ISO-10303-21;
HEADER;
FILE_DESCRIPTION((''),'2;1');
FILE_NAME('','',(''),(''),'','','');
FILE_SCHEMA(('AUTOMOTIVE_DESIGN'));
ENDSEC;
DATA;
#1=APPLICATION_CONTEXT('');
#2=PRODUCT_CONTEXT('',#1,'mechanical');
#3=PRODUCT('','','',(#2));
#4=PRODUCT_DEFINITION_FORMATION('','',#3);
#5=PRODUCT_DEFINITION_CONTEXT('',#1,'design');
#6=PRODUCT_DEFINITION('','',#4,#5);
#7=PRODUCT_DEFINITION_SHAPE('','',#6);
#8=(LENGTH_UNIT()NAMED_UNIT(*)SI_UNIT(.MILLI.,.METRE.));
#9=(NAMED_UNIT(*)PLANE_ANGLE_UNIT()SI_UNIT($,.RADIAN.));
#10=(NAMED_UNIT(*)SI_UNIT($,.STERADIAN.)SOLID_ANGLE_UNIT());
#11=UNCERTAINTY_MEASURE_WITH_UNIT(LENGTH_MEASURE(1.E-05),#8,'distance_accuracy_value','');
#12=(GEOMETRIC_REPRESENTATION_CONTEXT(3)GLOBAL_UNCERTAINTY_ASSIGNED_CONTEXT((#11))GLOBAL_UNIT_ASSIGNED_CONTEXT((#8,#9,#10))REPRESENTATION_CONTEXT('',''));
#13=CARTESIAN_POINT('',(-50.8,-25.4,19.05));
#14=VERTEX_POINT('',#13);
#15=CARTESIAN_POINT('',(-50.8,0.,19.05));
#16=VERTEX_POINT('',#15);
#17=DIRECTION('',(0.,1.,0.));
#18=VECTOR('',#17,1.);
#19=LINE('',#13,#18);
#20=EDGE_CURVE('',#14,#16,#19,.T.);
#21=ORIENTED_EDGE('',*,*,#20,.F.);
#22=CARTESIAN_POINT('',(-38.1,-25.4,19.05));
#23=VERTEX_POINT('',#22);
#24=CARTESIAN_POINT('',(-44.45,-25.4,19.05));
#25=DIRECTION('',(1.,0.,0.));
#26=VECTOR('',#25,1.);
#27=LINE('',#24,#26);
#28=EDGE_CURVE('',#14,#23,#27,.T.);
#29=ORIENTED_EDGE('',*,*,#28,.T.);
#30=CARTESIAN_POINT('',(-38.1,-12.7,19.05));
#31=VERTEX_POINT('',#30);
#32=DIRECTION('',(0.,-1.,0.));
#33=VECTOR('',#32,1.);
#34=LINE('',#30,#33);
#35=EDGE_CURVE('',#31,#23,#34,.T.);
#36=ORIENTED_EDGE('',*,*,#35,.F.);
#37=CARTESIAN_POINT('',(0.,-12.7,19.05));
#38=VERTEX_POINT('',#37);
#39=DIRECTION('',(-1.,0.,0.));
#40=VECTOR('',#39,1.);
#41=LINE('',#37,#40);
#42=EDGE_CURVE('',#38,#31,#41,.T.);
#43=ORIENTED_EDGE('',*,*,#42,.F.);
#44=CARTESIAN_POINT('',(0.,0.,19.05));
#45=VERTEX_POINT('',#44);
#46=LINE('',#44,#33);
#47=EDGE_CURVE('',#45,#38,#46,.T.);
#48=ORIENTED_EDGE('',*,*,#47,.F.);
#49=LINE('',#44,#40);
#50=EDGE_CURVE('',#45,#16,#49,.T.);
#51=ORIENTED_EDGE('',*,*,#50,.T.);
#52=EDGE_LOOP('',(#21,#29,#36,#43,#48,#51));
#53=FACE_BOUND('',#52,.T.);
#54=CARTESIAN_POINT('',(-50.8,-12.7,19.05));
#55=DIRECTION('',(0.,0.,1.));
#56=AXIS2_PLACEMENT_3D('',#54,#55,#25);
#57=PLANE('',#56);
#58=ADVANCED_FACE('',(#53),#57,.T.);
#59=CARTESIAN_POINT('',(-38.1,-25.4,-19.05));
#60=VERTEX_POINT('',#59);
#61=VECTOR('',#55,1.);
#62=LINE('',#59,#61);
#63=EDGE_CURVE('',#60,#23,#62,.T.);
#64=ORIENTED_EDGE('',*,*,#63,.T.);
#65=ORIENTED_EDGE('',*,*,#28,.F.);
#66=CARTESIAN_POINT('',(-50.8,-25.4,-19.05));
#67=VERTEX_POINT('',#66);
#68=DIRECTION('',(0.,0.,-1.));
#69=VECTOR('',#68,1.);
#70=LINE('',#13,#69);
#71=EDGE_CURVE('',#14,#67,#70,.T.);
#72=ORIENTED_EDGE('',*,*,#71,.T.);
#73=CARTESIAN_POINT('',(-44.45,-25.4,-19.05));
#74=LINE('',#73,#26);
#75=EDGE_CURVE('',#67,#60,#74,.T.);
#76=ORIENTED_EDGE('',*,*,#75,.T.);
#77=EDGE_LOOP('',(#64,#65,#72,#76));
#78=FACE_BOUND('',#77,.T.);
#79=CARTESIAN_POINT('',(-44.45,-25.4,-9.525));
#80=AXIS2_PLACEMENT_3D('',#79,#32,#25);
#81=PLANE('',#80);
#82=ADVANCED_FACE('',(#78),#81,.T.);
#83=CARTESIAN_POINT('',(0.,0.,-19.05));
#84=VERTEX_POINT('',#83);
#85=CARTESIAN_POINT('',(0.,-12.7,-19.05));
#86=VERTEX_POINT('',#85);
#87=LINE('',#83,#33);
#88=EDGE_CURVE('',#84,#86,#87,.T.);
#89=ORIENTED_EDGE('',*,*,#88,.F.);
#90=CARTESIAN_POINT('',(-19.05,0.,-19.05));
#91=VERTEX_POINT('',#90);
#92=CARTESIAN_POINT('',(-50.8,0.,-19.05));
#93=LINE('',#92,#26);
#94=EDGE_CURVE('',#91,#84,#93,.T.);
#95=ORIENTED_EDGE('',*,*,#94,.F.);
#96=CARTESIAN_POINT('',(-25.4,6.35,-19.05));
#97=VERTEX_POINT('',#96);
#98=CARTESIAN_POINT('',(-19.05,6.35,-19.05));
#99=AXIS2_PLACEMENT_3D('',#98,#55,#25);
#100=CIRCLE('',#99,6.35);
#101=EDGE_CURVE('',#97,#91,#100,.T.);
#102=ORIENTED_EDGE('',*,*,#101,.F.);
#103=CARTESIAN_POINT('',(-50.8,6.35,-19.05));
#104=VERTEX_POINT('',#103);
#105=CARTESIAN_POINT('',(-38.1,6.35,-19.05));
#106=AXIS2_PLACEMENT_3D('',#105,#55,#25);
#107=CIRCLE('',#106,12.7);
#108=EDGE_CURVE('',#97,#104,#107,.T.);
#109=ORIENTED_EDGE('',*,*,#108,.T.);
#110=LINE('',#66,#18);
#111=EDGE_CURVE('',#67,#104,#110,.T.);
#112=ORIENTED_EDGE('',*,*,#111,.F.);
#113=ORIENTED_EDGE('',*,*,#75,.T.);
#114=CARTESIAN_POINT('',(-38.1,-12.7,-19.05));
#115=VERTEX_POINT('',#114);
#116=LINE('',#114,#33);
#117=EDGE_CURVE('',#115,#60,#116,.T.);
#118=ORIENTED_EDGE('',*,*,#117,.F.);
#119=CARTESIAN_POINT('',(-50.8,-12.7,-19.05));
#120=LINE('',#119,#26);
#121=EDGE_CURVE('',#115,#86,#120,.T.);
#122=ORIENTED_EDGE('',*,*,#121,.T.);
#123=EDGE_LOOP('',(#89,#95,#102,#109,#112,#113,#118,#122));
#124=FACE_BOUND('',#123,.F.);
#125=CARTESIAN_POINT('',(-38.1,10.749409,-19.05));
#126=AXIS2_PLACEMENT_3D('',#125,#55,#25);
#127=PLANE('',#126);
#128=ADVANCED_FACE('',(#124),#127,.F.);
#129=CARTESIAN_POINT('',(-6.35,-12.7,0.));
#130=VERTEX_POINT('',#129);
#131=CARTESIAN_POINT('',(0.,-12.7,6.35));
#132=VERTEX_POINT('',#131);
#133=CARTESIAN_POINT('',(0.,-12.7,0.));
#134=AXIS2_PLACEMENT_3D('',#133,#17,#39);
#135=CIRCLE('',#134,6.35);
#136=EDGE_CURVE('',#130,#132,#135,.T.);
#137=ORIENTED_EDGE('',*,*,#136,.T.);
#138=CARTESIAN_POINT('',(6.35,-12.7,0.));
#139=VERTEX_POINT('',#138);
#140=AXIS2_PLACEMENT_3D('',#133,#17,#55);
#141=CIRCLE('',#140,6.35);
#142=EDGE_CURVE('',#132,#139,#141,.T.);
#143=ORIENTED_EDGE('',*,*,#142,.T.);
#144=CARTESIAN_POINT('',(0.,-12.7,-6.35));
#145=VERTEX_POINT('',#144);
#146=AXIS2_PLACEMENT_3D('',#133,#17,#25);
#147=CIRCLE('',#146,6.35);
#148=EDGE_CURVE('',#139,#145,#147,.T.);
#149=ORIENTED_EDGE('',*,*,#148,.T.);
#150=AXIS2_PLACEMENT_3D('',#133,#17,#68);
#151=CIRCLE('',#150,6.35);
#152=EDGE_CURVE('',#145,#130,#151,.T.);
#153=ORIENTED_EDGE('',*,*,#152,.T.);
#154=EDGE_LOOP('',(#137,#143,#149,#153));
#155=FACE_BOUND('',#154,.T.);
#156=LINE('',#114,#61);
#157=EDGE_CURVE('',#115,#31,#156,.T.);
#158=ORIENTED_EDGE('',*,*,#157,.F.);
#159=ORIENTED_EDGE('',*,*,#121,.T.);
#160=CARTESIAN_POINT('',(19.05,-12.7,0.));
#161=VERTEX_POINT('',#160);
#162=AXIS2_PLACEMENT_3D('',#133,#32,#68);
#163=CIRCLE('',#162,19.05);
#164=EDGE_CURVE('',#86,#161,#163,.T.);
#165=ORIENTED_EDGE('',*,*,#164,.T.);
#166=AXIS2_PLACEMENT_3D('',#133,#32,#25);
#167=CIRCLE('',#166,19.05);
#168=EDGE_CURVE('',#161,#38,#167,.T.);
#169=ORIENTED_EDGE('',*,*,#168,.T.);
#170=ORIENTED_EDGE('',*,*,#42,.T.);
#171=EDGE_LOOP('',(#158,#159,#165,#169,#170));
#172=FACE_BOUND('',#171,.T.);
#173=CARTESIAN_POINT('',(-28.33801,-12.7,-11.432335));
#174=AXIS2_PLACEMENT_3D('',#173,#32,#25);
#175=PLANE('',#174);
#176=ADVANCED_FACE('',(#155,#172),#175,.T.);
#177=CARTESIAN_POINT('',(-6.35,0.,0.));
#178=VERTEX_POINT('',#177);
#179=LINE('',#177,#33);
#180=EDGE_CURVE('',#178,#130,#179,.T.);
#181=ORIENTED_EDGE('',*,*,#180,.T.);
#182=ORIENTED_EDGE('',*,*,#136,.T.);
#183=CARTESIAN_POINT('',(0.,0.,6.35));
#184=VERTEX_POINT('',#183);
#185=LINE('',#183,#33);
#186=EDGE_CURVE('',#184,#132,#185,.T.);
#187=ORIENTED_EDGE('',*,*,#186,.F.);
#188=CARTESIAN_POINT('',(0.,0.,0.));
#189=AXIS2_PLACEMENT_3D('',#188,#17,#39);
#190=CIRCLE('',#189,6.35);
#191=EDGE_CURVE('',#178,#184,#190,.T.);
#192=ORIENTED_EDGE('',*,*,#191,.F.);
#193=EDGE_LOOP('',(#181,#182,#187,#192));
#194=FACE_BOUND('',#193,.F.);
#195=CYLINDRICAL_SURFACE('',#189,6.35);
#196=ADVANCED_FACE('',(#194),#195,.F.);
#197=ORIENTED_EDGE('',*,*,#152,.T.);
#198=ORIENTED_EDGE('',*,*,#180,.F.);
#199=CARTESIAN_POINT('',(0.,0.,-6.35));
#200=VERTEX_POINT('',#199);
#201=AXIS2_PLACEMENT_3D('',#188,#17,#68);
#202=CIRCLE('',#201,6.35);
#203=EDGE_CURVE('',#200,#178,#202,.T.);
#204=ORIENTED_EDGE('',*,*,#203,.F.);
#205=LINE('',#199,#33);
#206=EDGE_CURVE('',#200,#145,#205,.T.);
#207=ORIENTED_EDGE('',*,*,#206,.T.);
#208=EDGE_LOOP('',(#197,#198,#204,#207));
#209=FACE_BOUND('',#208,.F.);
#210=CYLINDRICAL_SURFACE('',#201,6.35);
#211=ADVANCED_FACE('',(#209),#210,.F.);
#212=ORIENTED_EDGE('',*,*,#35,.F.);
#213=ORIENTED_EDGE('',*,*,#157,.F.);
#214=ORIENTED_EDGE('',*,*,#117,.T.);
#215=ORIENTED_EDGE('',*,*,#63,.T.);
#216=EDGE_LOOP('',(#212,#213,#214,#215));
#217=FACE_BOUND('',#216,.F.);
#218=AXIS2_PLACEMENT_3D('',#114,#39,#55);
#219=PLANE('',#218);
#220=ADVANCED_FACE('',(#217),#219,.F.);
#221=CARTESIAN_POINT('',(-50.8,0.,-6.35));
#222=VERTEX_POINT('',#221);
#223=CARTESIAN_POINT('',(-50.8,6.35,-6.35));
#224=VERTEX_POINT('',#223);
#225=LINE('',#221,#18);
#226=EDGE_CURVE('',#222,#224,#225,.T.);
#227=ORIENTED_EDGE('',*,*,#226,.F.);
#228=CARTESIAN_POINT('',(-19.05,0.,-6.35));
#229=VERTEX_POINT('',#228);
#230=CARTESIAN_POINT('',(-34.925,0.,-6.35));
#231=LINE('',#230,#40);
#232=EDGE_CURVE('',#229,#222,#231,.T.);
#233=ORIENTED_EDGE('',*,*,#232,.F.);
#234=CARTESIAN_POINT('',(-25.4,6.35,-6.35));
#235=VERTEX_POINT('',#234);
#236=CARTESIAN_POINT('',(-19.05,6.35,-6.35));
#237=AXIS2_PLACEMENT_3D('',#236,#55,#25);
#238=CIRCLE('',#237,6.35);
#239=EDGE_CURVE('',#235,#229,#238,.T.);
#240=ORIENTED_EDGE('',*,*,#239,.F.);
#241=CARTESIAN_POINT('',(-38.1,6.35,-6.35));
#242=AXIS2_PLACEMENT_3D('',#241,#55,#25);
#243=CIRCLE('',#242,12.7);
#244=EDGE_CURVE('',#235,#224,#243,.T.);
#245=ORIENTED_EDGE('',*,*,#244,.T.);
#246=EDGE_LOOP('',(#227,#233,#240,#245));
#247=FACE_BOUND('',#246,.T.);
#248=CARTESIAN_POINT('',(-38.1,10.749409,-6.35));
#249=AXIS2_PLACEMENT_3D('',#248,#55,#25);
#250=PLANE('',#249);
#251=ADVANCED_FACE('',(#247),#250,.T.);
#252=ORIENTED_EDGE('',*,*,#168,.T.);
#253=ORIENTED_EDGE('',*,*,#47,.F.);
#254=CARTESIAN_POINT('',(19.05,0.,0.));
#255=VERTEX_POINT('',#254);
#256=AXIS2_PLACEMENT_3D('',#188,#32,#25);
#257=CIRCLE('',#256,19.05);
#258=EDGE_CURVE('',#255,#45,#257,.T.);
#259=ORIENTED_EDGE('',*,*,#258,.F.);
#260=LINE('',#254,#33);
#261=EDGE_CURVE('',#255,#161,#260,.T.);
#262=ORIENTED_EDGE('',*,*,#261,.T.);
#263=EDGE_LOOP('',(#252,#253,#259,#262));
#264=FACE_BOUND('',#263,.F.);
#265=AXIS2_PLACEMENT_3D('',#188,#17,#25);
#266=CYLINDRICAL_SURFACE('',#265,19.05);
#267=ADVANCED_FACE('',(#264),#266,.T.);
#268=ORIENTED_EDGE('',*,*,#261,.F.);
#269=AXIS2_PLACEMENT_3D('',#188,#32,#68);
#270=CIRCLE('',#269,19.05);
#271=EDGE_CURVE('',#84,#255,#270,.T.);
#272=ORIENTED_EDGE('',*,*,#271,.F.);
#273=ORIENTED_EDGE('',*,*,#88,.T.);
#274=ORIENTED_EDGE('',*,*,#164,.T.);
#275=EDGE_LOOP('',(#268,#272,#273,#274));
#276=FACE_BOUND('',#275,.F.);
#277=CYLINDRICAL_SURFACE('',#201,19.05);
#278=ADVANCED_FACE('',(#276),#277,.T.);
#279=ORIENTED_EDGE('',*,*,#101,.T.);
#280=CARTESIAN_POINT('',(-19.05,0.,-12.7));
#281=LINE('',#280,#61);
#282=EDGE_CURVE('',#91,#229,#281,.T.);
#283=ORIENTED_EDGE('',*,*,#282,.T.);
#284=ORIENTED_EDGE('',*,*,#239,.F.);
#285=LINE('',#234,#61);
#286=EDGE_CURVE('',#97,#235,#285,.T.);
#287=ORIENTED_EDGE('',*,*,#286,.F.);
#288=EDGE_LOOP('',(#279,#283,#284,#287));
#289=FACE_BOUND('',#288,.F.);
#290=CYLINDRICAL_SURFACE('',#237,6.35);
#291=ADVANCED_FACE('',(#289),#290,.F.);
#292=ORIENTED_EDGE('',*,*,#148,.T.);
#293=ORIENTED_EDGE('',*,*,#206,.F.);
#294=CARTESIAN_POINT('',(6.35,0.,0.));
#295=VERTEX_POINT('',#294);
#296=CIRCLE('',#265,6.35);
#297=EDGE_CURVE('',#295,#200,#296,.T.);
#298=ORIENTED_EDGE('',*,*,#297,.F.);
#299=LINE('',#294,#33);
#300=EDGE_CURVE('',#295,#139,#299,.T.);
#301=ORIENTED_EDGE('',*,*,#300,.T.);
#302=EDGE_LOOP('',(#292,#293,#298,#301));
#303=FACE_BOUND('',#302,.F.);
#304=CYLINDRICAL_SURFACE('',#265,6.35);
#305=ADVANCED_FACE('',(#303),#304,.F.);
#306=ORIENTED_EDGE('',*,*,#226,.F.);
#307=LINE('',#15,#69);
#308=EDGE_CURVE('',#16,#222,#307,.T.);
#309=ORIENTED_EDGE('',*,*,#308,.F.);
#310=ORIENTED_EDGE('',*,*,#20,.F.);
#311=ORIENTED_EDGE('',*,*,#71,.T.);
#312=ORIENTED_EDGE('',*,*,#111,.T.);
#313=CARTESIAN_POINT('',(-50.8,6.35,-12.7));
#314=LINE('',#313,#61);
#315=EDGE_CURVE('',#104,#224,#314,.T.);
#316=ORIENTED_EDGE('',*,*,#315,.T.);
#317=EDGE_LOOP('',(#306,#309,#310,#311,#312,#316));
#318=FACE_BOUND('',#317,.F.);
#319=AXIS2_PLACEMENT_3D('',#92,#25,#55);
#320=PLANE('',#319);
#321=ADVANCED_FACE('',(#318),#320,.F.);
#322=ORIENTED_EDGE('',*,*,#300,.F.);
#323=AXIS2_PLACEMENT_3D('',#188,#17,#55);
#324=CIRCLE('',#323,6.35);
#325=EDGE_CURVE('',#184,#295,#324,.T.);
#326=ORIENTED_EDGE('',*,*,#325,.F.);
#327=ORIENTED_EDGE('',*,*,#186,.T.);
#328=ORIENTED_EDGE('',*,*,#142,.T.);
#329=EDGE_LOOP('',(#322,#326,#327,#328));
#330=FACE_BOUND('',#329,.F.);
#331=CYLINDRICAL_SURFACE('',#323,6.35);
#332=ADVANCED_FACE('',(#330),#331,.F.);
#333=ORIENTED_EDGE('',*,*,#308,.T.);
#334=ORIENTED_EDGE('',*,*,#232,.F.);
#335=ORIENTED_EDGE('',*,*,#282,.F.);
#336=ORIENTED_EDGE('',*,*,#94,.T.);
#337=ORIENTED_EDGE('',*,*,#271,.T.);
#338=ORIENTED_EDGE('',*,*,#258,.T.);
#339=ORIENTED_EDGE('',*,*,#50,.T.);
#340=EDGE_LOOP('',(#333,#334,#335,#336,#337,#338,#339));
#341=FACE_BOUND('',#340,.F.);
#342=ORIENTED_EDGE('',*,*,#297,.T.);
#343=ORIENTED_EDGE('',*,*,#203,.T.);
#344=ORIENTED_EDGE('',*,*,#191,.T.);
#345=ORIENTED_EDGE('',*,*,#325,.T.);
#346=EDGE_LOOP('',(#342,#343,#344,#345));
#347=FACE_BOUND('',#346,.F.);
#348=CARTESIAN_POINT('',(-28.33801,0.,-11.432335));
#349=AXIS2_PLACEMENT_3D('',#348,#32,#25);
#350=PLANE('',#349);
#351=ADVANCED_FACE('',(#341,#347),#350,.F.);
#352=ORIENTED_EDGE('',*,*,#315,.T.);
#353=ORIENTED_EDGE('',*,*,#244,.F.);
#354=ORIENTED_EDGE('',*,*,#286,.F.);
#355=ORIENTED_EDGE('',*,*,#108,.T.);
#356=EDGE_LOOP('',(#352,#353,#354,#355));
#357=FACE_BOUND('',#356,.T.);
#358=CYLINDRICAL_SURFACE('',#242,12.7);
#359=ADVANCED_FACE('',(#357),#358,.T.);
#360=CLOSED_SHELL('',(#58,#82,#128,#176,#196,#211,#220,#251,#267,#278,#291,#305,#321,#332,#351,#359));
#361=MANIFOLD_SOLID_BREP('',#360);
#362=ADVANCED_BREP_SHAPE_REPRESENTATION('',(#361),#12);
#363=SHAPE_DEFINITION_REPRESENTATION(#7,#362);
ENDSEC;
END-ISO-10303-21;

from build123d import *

# Parameters (mm, degrees)
F1_DEPTH = 12.7
F2_W     = 12.7
F2_H     = 19.05
F3_DEPTH = 12.7
F4_W     = 31.75
F4_H     = 12.7
F5_DEPTH = 6.35
F6_R     = 6.35
F7_DEPTH = 25.4
F9_DEPTH = 12.7


with BuildPart() as f1:
    # F0 (on Front) → F1 (new body)
    with BuildSketch(Plane.XZ):
        with BuildLine():
            ThreePointArc((0, -19.05), (-13.4703841816, -13.4703841816), (-19.05, 0))
            Line((-19.05, 0), (-50.8, 0))
            Line((-50.8, 0), (-50.8, -19.05))
            Line((-50.8, -19.05), (0, -19.05))
        make_face()
        with BuildLine():
            ThreePointArc((0, 19.05), (-13.4703841816, 13.4703841816), (-19.05, 0))
            Line((-19.05, 0), (-6.35, 0))
            ThreePointArc((-6.35, 0), (-4.4901280605, 4.4901280605), (0, 6.35))
            Line((0, 6.35), (0, 19.05))
        make_face()
        with BuildLine():
            Line((-50.8, 0), (-19.05, 0))
            ThreePointArc((-19.05, 0), (-13.4703841816, 13.4703841816), (0, 19.05))
            Line((0, 19.05), (-50.8, 19.05))
            Line((-50.8, 19.05), (-50.8, 0))
        make_face()
        with BuildLine():
            Line((-6.35, 0), (-19.05, 0))
            ThreePointArc((-19.05, 0), (-13.4703841816, -13.4703841816), (0, -19.05))
            Line((0, -19.05), (0, -6.35))
            ThreePointArc((0, -6.35), (-4.4901280605, -4.4901280605), (-6.35, 0))
        make_face()
        with BuildLine():
            ThreePointArc((19.05, 0), (13.4703841816, 13.4703841816), (0, 19.05))
            Line((0, 19.05), (0, 6.35))
            ThreePointArc((0, 6.35), (4.4901280605, 4.4901280605), (6.35, 0))
            Line((6.35, 0), (19.05, 0))
        make_face()
        with BuildLine():
            Line((0, -6.35), (0, -19.05))
            ThreePointArc((0, -19.05), (13.4703841816, -13.4703841816), (19.05, 0))
            Line((19.05, 0), (6.35, 0))
            ThreePointArc((6.35, 0), (4.4901280605, -4.4901280605), (0, -6.35))
        make_face()
    extrude(amount=F1_DEPTH)

    # F2 (on face) → F3 (join)
    with BuildSketch(Plane.XZ.offset(12.7)):
        with Locations((-44.45, -9.525)):
            Rectangle(F2_W, F2_H)
        with Locations((-44.45, 9.525)):
            Rectangle(F2_W, F2_H)
    extrude(amount=F3_DEPTH)

    # F4 (on face) → F5 (join)
    with BuildSketch(Plane(origin=(0, 0, 0), x_dir=(-1, 0, 0), z_dir=(0, 1, 0))):
        with Locations((34.925, -12.7)):
            Rectangle(F4_W, F4_H)
    extrude(amount=F5_DEPTH)

    # F6 (on face) → F7 (cut)
    with BuildSketch(Plane.XY.offset(-6.35)):
        with Locations((-19.05, 6.35)):
            Circle(F6_R)
    extrude(amount=-F7_DEPTH, mode=Mode.SUBTRACT)

    # F8 (on face) → F9 (join)
    with BuildSketch(Plane.XY.offset(-6.35)):
        with BuildLine():
            ThreePointArc((-25.4, 6.35), (-38.1, 19.05), (-50.8, 6.35))
            Line((-50.8, 6.35), (-38.1, 6.35))
            Line((-38.1, 6.35), (-25.4, 6.35))
        make_face()
    extrude(amount=-F9_DEPTH)


solid = f1.part
